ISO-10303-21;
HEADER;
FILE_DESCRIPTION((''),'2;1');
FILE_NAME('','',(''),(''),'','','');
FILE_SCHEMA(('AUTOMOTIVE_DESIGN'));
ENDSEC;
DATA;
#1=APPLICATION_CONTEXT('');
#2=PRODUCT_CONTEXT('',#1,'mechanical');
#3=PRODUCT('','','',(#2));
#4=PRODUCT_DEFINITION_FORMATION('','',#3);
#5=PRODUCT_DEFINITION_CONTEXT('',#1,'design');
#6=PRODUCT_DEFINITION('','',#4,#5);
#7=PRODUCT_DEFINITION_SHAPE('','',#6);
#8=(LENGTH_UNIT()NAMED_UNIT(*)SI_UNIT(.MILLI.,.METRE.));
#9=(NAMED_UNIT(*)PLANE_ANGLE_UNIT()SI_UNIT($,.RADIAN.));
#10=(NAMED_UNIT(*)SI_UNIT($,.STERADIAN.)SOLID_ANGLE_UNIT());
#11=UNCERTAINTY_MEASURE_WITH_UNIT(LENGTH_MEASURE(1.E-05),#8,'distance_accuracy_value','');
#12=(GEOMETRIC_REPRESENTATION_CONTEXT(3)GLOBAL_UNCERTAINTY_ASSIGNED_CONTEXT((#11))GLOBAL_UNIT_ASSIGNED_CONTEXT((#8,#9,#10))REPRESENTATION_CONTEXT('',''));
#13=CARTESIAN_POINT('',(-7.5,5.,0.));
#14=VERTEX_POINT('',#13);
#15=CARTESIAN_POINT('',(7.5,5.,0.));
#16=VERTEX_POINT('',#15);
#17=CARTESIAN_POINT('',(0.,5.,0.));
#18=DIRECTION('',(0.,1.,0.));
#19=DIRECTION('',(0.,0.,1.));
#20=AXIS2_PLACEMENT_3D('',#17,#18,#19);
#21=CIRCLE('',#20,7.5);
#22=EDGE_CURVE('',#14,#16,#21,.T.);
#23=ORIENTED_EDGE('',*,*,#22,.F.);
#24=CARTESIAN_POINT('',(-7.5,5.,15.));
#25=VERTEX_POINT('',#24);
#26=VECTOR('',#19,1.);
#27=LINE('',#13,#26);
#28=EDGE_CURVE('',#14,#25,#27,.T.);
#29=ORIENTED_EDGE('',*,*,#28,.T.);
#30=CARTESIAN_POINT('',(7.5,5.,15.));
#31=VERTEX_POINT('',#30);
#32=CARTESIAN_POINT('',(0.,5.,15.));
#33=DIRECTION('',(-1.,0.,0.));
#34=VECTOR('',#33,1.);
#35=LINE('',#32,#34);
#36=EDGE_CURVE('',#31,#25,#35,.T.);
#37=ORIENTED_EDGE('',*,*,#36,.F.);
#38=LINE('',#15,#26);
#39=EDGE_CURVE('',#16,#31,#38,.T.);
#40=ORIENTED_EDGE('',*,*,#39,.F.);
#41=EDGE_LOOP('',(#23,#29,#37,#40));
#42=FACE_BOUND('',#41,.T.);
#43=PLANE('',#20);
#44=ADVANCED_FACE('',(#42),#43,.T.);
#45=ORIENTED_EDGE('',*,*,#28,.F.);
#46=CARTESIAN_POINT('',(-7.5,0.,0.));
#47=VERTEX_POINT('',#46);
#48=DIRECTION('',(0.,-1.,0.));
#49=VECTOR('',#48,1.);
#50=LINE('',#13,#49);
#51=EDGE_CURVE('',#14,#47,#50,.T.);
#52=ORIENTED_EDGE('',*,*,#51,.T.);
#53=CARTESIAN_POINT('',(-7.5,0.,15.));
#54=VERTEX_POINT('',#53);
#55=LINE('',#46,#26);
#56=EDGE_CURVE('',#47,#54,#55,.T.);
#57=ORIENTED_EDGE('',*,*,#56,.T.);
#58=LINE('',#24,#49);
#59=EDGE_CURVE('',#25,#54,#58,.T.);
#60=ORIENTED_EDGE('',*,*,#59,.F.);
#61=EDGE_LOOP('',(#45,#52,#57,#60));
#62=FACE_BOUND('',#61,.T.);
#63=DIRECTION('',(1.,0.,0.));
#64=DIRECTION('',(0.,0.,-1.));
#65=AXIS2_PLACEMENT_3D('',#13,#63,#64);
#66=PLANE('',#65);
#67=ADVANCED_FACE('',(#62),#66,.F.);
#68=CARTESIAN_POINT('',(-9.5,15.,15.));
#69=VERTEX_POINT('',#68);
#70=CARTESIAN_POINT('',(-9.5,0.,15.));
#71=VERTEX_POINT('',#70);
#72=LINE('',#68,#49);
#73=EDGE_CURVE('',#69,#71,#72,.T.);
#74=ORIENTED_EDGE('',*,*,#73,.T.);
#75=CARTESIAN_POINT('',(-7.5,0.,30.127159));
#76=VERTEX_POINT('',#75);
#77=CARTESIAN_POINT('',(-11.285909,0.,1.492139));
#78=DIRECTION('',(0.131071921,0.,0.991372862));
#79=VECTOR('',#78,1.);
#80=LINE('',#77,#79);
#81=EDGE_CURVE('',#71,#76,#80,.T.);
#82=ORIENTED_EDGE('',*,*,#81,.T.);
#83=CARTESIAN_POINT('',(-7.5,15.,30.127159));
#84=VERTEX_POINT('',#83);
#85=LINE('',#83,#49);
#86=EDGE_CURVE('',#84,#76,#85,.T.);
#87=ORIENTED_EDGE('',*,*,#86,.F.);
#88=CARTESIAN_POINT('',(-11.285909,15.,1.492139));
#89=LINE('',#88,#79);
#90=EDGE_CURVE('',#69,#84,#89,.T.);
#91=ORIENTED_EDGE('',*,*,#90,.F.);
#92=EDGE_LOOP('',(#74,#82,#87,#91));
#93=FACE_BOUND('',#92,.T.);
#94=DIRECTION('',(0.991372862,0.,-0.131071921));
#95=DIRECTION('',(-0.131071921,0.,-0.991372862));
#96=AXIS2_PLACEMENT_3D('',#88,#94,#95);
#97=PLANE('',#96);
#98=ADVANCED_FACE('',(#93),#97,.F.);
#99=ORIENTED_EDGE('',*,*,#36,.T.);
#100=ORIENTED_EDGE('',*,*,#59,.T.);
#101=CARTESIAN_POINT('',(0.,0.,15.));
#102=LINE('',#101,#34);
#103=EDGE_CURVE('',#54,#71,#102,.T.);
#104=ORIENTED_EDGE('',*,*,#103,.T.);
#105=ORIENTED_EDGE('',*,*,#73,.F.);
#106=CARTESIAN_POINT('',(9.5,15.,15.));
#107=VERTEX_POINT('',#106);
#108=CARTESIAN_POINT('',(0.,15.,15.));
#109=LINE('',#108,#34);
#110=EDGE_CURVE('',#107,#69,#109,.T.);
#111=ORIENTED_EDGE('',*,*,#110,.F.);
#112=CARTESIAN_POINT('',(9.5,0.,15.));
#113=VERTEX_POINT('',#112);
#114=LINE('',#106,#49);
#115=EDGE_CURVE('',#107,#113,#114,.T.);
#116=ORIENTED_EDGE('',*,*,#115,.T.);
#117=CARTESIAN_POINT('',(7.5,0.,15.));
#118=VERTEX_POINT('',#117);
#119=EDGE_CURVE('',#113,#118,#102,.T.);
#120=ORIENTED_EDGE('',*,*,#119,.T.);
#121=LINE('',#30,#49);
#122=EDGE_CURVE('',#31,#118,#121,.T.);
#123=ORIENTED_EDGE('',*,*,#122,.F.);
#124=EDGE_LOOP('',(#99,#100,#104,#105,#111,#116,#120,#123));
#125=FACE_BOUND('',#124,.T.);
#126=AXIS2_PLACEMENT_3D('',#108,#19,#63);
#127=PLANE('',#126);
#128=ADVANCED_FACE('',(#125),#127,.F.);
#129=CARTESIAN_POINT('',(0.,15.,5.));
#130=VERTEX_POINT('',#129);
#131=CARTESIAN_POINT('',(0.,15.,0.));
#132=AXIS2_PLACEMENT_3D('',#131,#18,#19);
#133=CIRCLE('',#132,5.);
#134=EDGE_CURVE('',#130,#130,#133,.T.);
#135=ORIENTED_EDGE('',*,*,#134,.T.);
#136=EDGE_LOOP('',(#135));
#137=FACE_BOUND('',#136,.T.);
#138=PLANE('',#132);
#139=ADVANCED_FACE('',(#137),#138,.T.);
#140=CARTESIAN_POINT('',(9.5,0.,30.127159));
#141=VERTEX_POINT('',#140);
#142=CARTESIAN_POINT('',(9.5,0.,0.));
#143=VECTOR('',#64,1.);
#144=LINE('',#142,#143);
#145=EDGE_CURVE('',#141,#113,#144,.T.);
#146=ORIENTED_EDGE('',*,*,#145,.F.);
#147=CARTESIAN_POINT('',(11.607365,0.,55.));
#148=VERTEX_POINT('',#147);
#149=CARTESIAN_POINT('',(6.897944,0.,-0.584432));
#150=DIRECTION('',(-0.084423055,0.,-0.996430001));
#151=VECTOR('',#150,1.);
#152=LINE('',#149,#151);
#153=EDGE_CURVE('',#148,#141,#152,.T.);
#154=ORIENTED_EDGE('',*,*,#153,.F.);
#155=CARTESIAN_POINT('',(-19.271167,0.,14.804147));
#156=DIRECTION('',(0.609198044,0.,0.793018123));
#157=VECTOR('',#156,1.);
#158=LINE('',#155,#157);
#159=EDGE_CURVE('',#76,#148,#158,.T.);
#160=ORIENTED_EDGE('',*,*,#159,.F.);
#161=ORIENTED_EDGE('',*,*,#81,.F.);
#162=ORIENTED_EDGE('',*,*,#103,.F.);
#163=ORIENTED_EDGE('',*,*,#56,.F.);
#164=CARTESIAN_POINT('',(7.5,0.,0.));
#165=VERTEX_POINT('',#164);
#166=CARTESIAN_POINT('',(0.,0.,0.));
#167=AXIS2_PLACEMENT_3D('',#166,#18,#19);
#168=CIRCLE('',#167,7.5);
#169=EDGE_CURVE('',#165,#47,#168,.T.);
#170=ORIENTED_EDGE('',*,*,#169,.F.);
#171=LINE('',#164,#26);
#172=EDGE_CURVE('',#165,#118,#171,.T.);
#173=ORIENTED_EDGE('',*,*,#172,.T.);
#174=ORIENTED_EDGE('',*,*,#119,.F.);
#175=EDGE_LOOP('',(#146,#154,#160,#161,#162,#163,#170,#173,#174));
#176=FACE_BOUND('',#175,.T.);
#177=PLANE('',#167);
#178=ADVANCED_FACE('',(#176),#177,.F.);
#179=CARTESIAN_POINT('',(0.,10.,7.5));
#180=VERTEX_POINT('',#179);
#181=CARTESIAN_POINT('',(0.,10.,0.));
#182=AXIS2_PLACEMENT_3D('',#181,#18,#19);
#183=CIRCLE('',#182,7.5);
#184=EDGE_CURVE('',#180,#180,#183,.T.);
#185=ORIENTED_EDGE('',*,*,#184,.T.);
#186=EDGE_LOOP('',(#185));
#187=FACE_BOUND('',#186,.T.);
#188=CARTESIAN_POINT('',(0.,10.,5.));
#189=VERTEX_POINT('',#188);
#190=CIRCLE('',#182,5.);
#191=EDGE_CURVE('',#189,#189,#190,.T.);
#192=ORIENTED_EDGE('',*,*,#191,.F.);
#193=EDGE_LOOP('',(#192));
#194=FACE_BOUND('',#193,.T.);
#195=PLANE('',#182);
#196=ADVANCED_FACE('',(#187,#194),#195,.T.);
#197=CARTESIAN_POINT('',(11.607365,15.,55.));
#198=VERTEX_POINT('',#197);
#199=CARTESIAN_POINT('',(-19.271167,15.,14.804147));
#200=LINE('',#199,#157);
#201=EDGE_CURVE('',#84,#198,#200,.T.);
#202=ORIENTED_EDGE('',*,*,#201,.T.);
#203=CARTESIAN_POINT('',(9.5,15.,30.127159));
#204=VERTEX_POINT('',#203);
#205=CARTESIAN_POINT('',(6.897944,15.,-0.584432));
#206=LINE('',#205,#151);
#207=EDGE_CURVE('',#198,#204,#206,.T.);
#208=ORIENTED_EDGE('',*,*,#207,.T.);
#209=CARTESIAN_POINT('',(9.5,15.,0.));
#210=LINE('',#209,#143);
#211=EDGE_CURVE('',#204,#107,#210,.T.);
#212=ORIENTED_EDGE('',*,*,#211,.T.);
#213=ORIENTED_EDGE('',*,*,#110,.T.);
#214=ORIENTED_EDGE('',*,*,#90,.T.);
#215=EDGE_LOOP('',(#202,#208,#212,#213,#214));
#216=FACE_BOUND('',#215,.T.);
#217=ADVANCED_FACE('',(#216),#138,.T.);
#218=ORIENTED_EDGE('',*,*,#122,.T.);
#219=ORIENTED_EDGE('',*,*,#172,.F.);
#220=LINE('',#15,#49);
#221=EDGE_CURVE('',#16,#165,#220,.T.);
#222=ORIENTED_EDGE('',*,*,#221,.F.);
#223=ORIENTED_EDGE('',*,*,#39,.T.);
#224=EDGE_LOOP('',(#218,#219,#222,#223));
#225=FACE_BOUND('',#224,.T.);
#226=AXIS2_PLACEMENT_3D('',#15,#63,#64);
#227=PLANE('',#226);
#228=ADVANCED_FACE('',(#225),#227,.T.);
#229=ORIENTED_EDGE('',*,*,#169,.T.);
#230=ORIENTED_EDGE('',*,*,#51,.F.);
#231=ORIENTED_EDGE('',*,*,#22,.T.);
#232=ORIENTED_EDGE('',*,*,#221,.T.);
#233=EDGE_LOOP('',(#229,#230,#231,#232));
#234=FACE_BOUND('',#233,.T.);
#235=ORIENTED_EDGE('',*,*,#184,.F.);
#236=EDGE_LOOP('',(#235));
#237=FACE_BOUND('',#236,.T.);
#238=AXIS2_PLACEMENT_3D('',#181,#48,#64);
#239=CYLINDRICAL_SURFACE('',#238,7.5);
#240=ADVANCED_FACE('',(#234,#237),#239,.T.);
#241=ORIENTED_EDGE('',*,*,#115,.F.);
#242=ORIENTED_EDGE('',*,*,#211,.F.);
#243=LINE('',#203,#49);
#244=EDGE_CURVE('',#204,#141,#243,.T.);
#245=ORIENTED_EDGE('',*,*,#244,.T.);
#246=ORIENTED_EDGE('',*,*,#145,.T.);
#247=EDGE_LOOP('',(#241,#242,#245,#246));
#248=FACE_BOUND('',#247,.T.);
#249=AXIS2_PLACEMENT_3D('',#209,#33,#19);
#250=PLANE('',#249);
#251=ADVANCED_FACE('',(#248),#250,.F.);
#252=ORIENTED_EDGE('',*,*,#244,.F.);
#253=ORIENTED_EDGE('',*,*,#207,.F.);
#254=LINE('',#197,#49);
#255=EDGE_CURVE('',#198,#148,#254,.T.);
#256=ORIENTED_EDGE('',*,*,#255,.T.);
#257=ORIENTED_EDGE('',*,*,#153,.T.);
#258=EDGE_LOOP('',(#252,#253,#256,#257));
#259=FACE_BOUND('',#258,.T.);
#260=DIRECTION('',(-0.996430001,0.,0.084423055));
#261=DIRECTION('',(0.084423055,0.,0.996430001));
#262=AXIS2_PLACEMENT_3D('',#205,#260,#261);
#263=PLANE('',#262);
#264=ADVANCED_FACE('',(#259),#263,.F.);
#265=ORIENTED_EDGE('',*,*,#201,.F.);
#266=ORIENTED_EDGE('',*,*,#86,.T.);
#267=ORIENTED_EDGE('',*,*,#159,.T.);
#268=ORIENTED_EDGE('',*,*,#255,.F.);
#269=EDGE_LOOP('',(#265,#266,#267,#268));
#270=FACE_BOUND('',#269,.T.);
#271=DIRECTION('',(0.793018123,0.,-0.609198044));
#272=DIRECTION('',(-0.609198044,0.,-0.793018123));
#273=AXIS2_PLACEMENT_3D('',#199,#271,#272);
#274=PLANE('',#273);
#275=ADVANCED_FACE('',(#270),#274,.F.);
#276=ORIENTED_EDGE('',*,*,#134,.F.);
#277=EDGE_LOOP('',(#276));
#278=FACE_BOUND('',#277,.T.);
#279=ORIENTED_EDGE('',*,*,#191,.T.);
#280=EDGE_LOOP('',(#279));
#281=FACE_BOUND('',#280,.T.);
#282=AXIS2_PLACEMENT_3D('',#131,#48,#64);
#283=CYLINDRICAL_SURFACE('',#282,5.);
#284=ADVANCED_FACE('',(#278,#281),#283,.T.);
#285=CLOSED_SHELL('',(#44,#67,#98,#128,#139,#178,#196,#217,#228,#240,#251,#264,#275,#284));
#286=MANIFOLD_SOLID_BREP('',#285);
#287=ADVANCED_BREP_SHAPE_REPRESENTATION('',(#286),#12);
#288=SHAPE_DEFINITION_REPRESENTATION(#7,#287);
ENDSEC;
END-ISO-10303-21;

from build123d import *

# Parameters (mm, degrees)
SKETCH1_R           = 7.5
SKETCH1_R_2         = 5
BOSS_EXTRUDE1_DEPTH = 10
BOSS_EXTRUDE2_DEPTH = 15
BOSS_EXTRUDE3_DEPTH = 5
SKETCH1_5_R         = 5
BOSS_EXTRUDE4_DEPTH = 15


with BuildPart() as part:
    # Sketch1 → Boss-Extrude1 (new body)
    with BuildSketch(Plane(origin=(0, 0, 0), x_dir=(1, 0, 0), z_dir=(0, 1, 0))):
        Circle(SKETCH1_R)
        Circle(SKETCH1_R_2, mode=Mode.SUBTRACT)
    extrude(amount=BOSS_EXTRUDE1_DEPTH)



with BuildPart() as body_2:
    # Sketch1<3> → Boss-Extrude2 (new body)
    with BuildSketch(Plane(origin=(0, 0, 0), x_dir=(1, 0, 0), z_dir=(0, 1, 0))):
        Polygon((-7.5, -15), (-9.5, -15), (-7.5, -30.12715853), (11.607364561, -55), (9.5, -30.12715853), (9.5, -15), (7.5, -15), align=None)
    extrude(amount=BOSS_EXTRUDE2_DEPTH)


with BuildPart() as part_1:
    add(part.part)

    add(body_2.part)  # Boss-Extrude3 merges body 2
    # Sketch1<4> → Boss-Extrude3 (add)
    with BuildSketch(Plane(origin=(0, 0, 0), x_dir=(1, 0, 0), z_dir=(0, 1, 0))):
        with BuildLine():
            Line((-7.5, 0), (-7.5, -15))
            Line((-7.5, -15), (7.5, -15))
            Line((7.5, -15), (7.5, 0))
            ThreePointArc((7.5, 0), (0, -7.5), (-7.5, 0))
        make_face()
    extrude(amount=BOSS_EXTRUDE3_DEPTH)

    # Sketch1<5> → Boss-Extrude4 (add)
    with BuildSketch(Plane(origin=(0, 0, 0), x_dir=(1, 0, 0), z_dir=(0, 1, 0))):
        Circle(SKETCH1_5_R)
    extrude(amount=BOSS_EXTRUDE4_DEPTH)


solid = part_1.part
